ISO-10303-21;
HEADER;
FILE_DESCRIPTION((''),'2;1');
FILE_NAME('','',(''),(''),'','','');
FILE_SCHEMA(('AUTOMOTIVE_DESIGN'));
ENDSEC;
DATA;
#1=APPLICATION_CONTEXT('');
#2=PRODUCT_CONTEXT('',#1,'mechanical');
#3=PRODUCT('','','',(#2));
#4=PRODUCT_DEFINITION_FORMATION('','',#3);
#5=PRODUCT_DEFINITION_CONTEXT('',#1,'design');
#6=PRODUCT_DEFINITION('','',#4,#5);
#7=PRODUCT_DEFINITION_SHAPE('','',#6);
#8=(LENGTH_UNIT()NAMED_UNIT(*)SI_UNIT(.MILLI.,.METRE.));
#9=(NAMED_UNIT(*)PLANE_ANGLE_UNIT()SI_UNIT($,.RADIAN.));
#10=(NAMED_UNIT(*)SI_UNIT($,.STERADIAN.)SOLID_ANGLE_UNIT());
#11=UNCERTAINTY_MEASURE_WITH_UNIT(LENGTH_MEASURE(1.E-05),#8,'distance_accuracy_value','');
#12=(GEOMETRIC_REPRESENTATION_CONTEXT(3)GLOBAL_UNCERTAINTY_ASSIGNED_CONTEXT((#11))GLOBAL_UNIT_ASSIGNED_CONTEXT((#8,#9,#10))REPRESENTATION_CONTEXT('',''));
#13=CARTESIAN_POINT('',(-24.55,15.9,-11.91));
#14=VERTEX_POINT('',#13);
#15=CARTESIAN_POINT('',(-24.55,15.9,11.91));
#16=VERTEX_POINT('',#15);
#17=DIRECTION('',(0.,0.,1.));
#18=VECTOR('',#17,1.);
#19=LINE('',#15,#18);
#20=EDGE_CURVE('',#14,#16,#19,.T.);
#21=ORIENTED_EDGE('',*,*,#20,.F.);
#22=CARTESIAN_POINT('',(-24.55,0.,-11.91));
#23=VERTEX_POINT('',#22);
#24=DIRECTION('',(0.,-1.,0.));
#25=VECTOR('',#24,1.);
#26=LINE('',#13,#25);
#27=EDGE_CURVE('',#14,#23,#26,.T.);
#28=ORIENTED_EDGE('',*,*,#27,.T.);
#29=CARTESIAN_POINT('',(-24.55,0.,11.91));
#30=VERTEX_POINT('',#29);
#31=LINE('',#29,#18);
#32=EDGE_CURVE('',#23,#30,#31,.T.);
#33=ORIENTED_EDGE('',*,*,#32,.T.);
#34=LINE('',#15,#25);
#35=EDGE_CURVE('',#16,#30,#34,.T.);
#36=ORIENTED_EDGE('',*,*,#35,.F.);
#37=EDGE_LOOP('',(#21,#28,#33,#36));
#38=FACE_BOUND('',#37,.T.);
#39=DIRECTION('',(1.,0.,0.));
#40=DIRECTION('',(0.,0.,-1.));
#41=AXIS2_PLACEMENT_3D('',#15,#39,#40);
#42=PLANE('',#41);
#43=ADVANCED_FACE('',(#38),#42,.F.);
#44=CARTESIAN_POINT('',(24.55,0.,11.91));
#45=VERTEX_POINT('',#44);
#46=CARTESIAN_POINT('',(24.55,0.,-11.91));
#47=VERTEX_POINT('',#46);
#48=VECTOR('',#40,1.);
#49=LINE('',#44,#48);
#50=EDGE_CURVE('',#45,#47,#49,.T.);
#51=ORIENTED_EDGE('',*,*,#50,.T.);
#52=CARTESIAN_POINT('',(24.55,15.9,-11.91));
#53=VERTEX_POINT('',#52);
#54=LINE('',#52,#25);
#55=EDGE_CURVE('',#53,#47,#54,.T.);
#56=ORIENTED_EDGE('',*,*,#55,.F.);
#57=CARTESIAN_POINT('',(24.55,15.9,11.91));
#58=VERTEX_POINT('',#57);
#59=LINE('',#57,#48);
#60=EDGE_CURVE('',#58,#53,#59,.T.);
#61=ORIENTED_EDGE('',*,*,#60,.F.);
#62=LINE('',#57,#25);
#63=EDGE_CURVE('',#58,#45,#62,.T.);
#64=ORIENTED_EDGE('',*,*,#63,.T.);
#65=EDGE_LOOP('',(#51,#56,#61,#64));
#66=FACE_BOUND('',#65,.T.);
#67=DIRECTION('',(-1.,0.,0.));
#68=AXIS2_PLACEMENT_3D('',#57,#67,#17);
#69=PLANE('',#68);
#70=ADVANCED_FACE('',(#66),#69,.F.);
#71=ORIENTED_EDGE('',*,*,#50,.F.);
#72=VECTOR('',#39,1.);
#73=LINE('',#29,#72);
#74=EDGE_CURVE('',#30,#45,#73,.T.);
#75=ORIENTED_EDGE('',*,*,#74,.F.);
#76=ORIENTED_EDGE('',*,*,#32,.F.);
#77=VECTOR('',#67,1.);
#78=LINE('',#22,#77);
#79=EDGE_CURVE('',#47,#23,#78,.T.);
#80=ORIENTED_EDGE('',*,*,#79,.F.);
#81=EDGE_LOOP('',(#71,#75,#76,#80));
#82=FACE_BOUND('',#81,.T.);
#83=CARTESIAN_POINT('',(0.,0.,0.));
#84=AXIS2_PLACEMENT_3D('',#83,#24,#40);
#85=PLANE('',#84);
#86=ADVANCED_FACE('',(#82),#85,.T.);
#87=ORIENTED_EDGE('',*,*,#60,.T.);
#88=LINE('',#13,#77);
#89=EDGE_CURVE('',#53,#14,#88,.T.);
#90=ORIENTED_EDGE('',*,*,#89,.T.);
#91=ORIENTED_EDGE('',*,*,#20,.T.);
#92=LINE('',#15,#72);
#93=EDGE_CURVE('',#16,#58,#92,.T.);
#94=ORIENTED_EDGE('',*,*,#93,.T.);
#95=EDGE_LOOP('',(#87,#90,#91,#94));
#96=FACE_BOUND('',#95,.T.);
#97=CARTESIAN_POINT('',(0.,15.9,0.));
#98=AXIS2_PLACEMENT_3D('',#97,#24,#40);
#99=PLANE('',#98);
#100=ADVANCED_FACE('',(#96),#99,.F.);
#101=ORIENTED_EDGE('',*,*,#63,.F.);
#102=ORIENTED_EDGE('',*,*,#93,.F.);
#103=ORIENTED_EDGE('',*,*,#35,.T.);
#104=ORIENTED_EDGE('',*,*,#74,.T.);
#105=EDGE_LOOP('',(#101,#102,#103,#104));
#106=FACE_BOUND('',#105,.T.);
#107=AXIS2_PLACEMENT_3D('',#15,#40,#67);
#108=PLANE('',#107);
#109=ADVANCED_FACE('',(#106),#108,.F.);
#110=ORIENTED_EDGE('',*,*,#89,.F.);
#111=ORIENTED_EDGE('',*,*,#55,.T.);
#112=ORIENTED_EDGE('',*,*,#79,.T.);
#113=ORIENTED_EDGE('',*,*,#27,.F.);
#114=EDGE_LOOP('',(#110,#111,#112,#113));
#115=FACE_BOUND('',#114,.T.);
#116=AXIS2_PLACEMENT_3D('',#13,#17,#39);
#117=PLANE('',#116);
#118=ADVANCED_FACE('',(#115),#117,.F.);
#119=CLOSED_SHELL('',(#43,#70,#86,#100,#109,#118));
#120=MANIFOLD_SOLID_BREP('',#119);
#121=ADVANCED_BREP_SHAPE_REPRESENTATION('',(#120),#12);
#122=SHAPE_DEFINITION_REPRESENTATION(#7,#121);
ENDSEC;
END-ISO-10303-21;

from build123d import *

# Parameters (mm, degrees)
SKETCH_1_W      = 49.1
SKETCH_1_H      = 23.82
EXTRUDE_1_DEPTH = 15.9


with BuildPart() as part:
    # 스케치1 → 보스-돌출1 (new body)
    with BuildSketch(Plane(origin=(0, 0, 0), x_dir=(1, 0, 0), z_dir=(0, 1, 0))):
        Rectangle(SKETCH_1_W, SKETCH_1_H)
    extrude(amount=EXTRUDE_1_DEPTH)


solid = part.part
